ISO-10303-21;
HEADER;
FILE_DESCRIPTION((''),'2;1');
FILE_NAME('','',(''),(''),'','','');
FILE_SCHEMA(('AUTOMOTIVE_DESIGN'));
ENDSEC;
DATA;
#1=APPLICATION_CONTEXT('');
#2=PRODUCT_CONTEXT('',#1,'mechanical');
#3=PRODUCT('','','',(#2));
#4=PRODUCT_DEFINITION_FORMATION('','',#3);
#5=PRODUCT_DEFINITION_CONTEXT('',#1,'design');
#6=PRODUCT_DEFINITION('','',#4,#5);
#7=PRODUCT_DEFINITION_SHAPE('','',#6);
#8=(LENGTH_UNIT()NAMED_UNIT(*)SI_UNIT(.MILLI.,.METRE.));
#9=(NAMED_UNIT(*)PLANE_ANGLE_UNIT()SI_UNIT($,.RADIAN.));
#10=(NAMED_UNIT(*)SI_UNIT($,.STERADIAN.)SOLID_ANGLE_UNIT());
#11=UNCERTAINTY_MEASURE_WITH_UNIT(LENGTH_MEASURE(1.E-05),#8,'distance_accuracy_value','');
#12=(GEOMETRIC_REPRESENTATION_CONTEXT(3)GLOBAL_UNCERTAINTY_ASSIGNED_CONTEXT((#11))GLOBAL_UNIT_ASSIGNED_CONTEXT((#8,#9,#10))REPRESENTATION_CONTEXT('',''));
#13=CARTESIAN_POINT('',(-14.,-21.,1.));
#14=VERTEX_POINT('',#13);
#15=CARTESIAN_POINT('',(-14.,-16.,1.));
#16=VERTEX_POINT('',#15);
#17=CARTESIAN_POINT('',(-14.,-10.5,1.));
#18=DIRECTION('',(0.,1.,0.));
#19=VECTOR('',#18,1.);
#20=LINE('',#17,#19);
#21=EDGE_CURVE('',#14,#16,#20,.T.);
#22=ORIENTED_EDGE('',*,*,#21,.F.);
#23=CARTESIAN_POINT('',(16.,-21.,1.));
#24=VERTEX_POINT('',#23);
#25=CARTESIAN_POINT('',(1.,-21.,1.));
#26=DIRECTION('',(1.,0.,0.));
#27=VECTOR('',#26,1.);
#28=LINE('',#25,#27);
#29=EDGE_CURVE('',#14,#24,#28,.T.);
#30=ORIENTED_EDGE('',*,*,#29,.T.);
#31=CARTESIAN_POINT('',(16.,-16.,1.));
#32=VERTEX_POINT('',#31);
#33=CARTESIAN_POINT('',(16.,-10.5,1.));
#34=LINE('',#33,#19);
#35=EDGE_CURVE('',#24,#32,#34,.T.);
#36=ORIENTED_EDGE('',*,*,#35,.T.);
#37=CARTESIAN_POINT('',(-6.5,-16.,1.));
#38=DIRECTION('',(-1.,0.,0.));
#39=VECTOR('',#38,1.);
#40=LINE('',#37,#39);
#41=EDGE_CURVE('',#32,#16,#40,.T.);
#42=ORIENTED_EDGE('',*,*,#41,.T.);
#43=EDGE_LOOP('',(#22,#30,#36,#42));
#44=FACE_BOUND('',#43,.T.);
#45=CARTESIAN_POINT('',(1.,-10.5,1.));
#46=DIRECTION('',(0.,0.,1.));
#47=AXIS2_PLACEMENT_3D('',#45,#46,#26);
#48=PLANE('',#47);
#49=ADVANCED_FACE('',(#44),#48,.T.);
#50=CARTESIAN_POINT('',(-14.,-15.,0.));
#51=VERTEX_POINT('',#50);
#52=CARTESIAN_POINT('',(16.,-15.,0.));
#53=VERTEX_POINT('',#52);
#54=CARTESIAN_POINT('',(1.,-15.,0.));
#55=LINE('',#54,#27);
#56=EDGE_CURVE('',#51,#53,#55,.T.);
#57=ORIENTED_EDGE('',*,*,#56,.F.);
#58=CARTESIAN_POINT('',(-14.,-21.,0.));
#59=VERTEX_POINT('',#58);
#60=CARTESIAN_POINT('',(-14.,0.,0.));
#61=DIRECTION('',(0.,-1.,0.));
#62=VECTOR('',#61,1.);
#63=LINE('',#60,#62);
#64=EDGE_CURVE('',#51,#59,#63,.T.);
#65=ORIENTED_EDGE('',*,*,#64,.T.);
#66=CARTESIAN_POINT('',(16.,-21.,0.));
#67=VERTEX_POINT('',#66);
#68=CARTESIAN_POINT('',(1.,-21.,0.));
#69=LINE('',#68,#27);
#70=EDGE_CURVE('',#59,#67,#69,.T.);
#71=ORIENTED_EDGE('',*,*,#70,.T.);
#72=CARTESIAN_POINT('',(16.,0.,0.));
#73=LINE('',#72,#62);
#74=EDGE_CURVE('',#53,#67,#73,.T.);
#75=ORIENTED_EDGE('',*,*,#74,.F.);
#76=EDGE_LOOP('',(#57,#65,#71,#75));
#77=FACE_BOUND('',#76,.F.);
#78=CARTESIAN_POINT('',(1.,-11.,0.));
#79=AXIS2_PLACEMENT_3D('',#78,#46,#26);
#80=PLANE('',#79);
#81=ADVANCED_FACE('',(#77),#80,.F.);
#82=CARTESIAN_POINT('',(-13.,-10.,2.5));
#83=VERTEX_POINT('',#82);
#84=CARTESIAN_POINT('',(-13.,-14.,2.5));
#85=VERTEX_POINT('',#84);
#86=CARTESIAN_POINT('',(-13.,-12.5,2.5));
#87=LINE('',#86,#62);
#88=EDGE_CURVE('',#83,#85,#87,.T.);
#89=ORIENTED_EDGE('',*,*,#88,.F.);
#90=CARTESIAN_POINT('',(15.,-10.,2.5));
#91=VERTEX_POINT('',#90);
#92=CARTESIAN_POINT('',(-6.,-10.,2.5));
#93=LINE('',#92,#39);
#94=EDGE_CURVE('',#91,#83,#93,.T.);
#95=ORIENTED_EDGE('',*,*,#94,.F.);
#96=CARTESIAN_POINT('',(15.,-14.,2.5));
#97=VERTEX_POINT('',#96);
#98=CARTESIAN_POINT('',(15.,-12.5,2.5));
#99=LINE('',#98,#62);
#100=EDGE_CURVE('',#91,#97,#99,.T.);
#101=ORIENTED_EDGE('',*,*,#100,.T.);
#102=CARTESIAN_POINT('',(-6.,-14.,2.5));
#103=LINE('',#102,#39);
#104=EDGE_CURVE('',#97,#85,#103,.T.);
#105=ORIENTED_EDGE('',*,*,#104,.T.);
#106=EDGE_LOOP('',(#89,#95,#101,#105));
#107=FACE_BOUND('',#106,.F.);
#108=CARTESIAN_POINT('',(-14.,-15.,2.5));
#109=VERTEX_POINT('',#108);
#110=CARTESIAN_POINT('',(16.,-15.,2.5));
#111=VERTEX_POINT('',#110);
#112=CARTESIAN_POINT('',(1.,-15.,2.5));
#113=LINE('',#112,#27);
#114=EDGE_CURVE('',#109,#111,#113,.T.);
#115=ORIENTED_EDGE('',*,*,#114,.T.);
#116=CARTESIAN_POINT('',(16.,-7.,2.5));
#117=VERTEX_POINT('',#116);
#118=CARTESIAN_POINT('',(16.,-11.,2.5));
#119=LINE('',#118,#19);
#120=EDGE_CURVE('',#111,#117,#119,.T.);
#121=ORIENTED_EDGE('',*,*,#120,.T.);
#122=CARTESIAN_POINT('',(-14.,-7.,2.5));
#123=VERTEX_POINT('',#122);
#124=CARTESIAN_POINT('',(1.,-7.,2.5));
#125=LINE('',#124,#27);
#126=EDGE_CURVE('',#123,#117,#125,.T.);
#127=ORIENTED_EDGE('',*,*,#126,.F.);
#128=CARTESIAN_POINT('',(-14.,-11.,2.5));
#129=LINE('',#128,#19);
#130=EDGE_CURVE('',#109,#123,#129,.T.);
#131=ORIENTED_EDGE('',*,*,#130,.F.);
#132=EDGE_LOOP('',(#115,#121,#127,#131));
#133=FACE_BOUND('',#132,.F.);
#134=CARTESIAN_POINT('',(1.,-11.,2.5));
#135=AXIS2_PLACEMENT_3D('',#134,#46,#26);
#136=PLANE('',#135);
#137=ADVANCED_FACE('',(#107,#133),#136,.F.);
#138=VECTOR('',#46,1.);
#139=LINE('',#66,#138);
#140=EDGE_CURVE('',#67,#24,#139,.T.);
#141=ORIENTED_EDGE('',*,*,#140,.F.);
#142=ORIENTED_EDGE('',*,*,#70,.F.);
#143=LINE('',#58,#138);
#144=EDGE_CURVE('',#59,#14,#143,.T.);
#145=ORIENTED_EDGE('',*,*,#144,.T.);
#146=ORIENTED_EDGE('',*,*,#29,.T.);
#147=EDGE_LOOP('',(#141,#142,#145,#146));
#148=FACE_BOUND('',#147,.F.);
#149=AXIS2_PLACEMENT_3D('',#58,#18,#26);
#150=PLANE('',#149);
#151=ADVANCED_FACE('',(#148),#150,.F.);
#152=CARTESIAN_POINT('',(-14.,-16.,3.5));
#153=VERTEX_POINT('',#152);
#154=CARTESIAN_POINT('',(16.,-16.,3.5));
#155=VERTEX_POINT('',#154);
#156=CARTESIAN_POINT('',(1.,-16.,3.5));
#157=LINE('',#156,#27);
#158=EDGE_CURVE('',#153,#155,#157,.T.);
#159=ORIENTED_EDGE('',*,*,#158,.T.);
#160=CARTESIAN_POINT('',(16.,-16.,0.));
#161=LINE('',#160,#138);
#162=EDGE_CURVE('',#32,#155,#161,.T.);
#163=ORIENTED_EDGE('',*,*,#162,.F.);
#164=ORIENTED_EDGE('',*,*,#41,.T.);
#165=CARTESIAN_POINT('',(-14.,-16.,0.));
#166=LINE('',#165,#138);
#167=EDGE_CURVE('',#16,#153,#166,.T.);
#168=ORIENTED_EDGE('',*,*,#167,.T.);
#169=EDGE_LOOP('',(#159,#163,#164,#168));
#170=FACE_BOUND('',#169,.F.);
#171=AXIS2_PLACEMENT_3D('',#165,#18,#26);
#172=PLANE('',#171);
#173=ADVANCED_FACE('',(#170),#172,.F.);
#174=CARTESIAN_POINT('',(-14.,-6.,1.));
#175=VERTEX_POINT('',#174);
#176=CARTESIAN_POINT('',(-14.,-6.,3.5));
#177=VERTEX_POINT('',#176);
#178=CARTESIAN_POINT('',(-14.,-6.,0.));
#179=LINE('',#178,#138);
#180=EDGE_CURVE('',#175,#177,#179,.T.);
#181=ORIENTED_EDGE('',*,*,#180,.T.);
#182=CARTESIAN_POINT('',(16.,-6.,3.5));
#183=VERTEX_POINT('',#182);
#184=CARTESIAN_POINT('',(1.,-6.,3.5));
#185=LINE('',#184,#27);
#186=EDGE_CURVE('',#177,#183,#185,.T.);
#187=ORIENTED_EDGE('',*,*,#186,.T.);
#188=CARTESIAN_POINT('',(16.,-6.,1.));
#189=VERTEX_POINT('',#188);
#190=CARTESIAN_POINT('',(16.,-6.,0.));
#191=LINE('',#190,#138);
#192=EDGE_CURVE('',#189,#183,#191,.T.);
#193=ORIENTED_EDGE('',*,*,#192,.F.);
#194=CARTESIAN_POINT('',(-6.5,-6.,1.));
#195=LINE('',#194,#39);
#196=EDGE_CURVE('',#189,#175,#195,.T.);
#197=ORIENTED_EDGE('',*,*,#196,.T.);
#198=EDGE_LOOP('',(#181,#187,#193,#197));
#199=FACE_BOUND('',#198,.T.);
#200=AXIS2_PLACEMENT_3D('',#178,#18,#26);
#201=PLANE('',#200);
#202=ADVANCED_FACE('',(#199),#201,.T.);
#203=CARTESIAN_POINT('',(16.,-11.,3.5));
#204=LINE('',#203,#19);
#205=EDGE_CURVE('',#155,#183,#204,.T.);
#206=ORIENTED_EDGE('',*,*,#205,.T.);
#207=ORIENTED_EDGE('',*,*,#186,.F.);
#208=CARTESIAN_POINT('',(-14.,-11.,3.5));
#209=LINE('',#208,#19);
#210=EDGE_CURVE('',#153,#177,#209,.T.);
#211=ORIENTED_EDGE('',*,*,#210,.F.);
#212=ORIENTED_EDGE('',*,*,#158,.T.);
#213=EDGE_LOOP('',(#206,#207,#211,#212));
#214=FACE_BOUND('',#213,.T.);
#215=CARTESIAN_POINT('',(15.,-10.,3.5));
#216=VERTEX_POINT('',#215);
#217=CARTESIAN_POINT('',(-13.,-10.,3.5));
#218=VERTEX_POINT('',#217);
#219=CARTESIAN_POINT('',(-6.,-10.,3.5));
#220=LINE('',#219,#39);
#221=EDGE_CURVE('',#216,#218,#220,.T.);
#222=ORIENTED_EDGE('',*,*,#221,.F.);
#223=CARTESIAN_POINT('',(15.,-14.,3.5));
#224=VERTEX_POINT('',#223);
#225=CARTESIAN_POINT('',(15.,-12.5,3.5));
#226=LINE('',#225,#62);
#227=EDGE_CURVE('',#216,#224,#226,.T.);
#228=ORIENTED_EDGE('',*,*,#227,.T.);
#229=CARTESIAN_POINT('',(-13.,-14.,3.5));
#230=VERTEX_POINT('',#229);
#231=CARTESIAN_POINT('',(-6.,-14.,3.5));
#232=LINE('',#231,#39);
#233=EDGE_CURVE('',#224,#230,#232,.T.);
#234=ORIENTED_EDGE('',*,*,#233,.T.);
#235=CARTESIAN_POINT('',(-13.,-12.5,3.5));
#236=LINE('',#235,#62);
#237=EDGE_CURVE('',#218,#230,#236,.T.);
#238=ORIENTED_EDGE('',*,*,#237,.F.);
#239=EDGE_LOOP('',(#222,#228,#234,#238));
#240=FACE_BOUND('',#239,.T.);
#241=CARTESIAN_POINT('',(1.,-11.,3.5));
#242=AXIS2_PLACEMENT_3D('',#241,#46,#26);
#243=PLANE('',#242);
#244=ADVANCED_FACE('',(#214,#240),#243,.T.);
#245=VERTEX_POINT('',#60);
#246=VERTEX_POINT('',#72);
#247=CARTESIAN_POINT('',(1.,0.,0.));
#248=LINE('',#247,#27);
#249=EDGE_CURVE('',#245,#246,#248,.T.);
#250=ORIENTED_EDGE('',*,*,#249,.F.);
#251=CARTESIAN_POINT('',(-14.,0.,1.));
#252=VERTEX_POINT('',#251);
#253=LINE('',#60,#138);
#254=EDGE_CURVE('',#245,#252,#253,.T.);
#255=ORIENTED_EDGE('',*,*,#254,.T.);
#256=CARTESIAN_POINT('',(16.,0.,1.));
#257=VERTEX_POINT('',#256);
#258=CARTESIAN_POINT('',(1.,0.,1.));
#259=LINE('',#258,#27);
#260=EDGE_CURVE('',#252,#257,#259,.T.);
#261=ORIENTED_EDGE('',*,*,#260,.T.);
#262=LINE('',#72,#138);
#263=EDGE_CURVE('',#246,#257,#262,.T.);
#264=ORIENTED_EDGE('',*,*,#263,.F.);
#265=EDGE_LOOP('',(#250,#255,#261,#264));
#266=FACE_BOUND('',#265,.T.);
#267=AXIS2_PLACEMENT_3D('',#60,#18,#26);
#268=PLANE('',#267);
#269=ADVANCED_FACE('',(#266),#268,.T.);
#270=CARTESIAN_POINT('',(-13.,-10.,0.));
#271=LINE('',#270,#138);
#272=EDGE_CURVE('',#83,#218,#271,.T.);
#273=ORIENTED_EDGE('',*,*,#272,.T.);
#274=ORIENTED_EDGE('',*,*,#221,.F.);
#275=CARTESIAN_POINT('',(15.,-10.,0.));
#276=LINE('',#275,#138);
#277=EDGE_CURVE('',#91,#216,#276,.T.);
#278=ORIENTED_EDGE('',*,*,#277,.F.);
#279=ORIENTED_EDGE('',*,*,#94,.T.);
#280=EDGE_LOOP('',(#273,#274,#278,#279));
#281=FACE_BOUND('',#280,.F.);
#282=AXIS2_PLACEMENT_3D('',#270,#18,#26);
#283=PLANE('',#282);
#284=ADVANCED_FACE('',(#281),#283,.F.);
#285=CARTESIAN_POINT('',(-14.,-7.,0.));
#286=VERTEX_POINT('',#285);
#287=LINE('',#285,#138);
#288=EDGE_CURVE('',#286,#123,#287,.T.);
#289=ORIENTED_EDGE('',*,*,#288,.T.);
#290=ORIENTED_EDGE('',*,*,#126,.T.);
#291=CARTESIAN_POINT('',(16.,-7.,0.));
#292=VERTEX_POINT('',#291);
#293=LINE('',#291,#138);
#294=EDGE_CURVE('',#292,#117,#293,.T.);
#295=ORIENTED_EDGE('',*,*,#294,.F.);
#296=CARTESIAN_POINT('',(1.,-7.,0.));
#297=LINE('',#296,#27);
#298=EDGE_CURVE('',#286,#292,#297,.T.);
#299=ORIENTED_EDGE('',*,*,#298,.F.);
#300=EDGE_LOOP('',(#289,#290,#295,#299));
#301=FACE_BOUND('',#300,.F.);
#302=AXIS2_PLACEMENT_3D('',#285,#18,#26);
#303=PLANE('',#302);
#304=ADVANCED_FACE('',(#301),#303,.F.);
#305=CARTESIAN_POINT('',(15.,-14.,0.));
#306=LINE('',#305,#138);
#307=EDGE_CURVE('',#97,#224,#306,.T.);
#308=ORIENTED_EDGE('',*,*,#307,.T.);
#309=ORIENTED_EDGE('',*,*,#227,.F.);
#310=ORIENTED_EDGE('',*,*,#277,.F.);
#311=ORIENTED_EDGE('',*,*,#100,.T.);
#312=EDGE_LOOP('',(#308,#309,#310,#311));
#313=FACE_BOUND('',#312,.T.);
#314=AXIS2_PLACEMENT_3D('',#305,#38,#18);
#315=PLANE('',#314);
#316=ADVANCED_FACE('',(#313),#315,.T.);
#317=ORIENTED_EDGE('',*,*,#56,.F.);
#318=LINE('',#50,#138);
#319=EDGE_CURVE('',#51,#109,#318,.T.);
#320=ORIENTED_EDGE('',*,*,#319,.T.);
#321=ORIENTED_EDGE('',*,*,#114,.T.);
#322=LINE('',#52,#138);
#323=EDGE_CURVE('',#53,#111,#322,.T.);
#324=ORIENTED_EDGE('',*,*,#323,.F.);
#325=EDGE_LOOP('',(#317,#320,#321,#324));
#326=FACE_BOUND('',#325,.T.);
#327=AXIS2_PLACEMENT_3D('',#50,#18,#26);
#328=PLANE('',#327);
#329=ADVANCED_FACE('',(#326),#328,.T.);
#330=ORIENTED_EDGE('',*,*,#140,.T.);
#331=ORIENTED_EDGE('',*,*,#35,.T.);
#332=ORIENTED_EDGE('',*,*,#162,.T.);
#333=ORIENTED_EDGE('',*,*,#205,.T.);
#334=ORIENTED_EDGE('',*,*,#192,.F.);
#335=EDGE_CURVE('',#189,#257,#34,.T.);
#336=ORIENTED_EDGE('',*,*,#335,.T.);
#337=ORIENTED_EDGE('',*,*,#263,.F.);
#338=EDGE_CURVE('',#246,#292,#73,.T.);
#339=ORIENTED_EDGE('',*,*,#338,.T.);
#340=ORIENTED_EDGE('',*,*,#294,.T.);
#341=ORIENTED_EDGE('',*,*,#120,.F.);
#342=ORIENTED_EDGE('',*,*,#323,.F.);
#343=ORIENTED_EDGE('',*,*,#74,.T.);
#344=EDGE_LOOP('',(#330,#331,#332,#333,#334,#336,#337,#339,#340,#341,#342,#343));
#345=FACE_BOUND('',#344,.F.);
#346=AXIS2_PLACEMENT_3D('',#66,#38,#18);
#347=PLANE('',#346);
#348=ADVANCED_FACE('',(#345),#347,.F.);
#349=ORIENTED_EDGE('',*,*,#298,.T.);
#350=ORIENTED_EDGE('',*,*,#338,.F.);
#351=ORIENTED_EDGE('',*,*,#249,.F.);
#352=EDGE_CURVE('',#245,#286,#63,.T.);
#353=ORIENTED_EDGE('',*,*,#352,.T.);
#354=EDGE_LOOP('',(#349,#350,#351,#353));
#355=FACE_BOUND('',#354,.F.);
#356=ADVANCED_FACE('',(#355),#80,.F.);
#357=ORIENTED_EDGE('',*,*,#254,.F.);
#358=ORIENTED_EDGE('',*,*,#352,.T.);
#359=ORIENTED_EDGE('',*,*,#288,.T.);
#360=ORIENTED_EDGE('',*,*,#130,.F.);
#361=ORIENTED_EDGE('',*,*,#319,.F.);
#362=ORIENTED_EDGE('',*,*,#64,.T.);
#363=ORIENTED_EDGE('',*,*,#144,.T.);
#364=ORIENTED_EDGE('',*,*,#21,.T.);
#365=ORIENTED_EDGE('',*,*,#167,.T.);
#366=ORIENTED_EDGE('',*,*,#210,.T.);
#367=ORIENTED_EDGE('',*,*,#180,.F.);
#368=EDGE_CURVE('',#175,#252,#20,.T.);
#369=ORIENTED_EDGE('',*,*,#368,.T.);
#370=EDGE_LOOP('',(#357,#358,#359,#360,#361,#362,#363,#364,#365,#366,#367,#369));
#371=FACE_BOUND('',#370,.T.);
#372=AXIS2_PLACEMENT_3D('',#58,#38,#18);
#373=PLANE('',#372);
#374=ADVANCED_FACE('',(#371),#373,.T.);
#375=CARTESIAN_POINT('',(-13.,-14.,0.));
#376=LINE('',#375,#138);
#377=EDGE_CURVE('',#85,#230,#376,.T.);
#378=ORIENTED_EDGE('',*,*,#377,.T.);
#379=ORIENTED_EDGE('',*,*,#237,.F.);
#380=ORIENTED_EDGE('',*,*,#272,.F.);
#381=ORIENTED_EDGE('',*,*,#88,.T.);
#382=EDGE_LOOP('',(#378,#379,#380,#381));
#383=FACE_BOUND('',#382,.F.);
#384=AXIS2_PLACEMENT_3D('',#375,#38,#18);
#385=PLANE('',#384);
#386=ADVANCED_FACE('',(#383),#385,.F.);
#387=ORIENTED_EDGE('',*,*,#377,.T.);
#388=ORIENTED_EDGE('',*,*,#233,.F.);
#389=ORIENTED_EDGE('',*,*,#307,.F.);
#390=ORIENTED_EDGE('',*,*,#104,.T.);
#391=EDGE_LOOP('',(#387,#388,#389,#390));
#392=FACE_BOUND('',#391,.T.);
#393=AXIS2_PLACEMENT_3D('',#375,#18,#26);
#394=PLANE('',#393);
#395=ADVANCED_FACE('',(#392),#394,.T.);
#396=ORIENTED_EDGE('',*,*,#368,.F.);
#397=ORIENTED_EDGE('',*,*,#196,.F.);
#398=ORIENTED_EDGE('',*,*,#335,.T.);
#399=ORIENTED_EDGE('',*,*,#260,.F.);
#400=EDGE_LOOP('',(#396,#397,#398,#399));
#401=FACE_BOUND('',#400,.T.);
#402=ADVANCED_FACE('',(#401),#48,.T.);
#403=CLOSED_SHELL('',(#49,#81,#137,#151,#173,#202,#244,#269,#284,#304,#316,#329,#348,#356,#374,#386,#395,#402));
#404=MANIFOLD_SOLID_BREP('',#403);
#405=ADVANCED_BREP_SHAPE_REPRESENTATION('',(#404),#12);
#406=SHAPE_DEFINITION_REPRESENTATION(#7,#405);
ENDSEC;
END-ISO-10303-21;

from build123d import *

# Parameters (mm, degrees)
BOX016_W     = 28
BOX016_H     = 4
BOX016_DEPTH = 10
BOX004_W     = 30
BOX004_H     = 8
BOX004_DEPTH = 2.5
BOX003_W     = 30
BOX003_H     = 10
BOX003_DEPTH = 3.5
BOX002_W     = 30
BOX002_H     = 21
BOX002_DEPTH = 1


with BuildPart() as cubo016:
    # Box016 → Box016 (new body)
    with BuildSketch(Plane(origin=(-13, -14, 0), x_dir=(1, 0, 0), z_dir=(0, 0, 1))):
        with Locations((14, 2)):
            Rectangle(BOX016_W, BOX016_H)
    extrude(amount=BOX016_DEPTH)


with BuildPart() as cubo004:
    # Box004 → Box004 (new body)
    with BuildSketch(Plane(origin=(-14, -15, 0), x_dir=(1, 0, 0), z_dir=(0, 0, 1))):
        with Locations((15, 4)):
            Rectangle(BOX004_W, BOX004_H)
    extrude(amount=BOX004_DEPTH)


with BuildPart() as cubo003:
    # Box003 → Box003 (new body)
    with BuildSketch(Plane(origin=(-14, -16, 0), x_dir=(1, 0, 0), z_dir=(0, 0, 1))):
        with Locations((15, 5)):
            Rectangle(BOX003_W, BOX003_H)
    extrude(amount=BOX003_DEPTH)


with BuildPart() as cut008:
    # Box002 → Box002 (new body)
    with BuildSketch(Plane(origin=(-14, -21, 0), x_dir=(1, 0, 0), z_dir=(0, 0, 1))):
        with Locations((15, 10.5)):
            Rectangle(BOX002_W, BOX002_H)
    extrude(amount=BOX002_DEPTH)

    # Fusion001: union Cubo003
    add(cubo003.part)

    # Cut006: cut Cubo004
    add(cubo004.part, mode=Mode.SUBTRACT)

    # Cut008: cut Cubo016
    add(cubo016.part, mode=Mode.SUBTRACT)


solid = cut008.part
